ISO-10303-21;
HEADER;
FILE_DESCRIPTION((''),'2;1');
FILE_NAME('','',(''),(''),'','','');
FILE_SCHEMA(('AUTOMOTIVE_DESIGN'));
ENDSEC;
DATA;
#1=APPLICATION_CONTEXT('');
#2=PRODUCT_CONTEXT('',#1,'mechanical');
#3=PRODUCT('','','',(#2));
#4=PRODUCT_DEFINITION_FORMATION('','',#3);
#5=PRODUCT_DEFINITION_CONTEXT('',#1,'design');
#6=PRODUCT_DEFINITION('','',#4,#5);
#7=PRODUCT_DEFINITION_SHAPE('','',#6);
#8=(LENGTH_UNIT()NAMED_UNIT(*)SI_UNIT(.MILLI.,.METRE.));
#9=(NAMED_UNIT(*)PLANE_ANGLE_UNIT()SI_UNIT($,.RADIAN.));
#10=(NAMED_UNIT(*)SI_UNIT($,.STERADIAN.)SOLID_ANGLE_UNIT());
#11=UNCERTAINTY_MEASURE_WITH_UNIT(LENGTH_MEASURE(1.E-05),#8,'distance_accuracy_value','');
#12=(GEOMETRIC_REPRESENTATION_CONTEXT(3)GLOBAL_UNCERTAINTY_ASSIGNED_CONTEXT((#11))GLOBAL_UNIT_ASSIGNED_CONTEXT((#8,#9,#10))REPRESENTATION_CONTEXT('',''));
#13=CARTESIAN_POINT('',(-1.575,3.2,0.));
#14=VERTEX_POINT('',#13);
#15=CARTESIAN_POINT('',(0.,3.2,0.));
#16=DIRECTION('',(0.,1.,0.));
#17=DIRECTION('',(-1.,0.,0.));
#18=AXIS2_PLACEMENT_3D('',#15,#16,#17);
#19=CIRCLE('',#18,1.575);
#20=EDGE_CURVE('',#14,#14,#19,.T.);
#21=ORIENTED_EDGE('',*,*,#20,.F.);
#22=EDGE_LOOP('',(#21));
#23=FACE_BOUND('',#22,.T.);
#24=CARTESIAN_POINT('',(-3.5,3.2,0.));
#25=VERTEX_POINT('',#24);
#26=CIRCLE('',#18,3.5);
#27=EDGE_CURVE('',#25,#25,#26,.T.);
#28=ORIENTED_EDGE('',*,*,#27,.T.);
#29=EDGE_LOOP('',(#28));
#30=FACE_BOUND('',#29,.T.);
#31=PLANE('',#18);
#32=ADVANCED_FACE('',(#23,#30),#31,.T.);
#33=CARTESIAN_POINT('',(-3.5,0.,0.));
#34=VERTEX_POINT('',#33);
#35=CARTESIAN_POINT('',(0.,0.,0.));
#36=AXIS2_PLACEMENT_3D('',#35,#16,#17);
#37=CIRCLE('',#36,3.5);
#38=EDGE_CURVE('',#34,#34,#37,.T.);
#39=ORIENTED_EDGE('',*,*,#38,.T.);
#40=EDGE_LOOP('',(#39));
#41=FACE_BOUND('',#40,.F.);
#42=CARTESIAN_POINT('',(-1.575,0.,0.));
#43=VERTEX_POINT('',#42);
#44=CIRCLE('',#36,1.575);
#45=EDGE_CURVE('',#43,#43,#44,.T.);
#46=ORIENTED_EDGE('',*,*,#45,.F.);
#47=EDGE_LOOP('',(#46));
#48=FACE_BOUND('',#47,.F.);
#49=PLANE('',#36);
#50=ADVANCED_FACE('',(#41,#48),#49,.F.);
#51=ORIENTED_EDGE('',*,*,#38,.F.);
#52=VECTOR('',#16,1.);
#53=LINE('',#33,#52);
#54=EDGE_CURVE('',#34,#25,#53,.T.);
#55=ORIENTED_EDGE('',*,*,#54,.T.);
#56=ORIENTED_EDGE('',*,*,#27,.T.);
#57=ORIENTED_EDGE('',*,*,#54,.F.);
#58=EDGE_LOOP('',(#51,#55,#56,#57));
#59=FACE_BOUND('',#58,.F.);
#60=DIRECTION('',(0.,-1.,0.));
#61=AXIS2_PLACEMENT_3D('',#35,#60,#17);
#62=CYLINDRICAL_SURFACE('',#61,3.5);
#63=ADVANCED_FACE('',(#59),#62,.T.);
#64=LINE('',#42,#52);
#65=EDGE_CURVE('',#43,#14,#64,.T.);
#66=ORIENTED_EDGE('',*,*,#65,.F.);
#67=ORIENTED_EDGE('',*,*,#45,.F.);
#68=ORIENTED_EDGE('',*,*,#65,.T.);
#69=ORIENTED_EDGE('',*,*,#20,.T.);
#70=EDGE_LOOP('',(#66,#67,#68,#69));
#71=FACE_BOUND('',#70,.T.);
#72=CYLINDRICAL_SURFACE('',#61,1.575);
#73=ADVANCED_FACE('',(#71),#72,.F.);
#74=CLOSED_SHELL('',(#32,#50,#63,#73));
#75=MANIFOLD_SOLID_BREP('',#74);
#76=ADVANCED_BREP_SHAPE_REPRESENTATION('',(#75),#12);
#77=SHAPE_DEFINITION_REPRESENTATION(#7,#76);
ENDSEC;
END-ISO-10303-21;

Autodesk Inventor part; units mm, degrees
ref_plane "YZ Plane" through (0, 0, 0) normal (1, 0, 0) x (0, 1, 0)
ref_plane "XZ Plane" through (0, 0, 0) normal (0, 1, 0) x (-1, 0, 0)
ref_plane "XY Plane" through (0, 0, 0) normal (0, 0, 1) x (1, 0, 0)
sketch "Эскиз1" plane through (0, 0, 0) normal (0, 1, 0) x (-1, 0, 0)
  circle A0 centre (0, 0) radius 1.575
  circle A1 centre (0, 0) radius 3.5
  dimension "d0" = 3.15
  dimension "d1" = 7
extrude "Выдавливание1" add sketch "Эскиз1" along normal blind 3.2
properties part number "втулка гол"
